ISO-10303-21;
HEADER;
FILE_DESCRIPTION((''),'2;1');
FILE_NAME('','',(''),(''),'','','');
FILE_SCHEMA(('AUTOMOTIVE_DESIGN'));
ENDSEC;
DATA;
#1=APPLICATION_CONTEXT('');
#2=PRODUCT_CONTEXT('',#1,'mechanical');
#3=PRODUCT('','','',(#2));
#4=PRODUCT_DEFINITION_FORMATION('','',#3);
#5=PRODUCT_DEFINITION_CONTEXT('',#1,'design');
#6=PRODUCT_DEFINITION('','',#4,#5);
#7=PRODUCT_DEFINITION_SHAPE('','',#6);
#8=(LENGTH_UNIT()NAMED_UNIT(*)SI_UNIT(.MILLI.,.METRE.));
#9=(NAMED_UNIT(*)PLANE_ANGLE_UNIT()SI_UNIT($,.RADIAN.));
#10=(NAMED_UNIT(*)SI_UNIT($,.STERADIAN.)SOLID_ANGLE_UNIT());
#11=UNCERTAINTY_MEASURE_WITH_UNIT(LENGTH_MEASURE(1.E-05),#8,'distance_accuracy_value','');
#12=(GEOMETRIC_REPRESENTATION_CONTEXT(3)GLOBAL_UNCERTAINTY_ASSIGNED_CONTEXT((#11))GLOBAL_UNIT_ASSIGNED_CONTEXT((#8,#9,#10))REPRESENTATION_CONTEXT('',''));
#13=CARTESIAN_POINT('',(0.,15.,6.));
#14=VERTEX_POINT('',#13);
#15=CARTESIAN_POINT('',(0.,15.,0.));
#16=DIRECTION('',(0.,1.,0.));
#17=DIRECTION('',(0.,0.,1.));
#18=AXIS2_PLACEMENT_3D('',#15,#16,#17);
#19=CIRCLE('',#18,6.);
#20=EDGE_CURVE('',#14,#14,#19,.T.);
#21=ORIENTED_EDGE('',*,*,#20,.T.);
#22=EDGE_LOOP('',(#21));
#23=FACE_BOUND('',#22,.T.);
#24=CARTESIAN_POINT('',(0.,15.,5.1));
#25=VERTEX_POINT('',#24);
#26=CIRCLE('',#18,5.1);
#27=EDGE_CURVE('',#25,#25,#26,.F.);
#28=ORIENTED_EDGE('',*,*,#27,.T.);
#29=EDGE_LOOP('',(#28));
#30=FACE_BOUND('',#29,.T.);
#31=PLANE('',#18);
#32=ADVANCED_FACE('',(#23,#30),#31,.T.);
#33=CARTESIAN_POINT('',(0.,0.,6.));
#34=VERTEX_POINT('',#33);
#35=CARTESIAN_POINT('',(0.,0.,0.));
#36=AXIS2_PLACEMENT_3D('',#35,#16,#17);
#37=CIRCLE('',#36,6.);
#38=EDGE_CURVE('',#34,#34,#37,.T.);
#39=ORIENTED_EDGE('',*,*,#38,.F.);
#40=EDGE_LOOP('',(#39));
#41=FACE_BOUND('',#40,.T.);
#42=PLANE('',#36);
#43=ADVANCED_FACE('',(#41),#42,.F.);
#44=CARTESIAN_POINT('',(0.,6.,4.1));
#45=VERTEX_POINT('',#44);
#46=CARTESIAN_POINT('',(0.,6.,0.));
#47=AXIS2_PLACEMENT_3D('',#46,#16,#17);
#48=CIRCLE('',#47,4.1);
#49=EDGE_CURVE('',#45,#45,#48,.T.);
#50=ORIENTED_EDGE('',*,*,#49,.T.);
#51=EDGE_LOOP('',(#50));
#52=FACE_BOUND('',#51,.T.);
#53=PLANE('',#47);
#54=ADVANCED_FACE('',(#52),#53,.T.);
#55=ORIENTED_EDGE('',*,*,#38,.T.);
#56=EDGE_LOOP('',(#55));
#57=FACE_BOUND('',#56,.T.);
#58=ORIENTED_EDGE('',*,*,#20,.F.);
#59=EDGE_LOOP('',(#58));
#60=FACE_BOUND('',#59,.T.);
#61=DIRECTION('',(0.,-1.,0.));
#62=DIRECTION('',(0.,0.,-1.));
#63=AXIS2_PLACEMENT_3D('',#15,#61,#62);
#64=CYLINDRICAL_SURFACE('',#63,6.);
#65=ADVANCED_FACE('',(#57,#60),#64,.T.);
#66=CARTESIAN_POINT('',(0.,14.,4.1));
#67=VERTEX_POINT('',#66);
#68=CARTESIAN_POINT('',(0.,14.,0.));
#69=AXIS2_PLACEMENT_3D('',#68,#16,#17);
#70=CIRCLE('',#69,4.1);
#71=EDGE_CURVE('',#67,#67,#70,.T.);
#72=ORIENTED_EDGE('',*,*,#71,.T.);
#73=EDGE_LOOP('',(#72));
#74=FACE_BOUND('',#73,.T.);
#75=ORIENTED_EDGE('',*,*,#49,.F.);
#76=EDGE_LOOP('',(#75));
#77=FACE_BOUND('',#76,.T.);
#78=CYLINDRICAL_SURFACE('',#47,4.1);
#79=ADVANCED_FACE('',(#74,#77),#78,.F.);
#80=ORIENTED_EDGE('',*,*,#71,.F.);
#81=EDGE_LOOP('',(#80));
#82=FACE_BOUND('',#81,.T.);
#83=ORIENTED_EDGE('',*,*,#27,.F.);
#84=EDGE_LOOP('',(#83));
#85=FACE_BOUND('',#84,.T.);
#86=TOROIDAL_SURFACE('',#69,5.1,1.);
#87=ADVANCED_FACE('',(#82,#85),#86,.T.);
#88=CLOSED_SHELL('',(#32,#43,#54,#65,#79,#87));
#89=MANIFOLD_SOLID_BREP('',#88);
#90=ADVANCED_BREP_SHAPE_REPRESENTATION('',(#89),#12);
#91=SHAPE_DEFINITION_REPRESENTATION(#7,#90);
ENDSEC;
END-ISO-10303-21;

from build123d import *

# Parameters (mm, degrees)
CROQUIS1_R              = 6
SALIENTE_EXTRUIR1_DEPTH = 15
CROQUIS2_R              = 4.1
CORTAR_EXTRUIR1_DEPTH   = 9
REDONDEO1_R             = 1


with BuildPart() as part:
    # Croquis1 → Saliente-Extruir1 (new body)
    with BuildSketch(Plane(origin=(0, 0, 0), x_dir=(1, 0, 0), z_dir=(0, 1, 0))):
        with Locations(Location((0, 0, 0), (0, 0, 270))):
            Circle(CROQUIS1_R)
    extrude(amount=SALIENTE_EXTRUIR1_DEPTH)

    # Croquis2 → Cortar-Extruir1 (cut)
    with BuildSketch(Plane(origin=(0, 15, 0), x_dir=(1, 0, 0), z_dir=(0, 1, 0))):
        with Locations(Location((0, 0, 0), (0, 0, 270))):
            Circle(CROQUIS2_R)
    extrude(amount=-CORTAR_EXTRUIR1_DEPTH, mode=Mode.SUBTRACT)

    # Redondeo1
    redondeo1_edges = [part.edges().sort_by_distance(p)[0] for p in [
        (0, 15, -4.1),
    ]]
    fillet(redondeo1_edges, radius=REDONDEO1_R)


solid = part.part
